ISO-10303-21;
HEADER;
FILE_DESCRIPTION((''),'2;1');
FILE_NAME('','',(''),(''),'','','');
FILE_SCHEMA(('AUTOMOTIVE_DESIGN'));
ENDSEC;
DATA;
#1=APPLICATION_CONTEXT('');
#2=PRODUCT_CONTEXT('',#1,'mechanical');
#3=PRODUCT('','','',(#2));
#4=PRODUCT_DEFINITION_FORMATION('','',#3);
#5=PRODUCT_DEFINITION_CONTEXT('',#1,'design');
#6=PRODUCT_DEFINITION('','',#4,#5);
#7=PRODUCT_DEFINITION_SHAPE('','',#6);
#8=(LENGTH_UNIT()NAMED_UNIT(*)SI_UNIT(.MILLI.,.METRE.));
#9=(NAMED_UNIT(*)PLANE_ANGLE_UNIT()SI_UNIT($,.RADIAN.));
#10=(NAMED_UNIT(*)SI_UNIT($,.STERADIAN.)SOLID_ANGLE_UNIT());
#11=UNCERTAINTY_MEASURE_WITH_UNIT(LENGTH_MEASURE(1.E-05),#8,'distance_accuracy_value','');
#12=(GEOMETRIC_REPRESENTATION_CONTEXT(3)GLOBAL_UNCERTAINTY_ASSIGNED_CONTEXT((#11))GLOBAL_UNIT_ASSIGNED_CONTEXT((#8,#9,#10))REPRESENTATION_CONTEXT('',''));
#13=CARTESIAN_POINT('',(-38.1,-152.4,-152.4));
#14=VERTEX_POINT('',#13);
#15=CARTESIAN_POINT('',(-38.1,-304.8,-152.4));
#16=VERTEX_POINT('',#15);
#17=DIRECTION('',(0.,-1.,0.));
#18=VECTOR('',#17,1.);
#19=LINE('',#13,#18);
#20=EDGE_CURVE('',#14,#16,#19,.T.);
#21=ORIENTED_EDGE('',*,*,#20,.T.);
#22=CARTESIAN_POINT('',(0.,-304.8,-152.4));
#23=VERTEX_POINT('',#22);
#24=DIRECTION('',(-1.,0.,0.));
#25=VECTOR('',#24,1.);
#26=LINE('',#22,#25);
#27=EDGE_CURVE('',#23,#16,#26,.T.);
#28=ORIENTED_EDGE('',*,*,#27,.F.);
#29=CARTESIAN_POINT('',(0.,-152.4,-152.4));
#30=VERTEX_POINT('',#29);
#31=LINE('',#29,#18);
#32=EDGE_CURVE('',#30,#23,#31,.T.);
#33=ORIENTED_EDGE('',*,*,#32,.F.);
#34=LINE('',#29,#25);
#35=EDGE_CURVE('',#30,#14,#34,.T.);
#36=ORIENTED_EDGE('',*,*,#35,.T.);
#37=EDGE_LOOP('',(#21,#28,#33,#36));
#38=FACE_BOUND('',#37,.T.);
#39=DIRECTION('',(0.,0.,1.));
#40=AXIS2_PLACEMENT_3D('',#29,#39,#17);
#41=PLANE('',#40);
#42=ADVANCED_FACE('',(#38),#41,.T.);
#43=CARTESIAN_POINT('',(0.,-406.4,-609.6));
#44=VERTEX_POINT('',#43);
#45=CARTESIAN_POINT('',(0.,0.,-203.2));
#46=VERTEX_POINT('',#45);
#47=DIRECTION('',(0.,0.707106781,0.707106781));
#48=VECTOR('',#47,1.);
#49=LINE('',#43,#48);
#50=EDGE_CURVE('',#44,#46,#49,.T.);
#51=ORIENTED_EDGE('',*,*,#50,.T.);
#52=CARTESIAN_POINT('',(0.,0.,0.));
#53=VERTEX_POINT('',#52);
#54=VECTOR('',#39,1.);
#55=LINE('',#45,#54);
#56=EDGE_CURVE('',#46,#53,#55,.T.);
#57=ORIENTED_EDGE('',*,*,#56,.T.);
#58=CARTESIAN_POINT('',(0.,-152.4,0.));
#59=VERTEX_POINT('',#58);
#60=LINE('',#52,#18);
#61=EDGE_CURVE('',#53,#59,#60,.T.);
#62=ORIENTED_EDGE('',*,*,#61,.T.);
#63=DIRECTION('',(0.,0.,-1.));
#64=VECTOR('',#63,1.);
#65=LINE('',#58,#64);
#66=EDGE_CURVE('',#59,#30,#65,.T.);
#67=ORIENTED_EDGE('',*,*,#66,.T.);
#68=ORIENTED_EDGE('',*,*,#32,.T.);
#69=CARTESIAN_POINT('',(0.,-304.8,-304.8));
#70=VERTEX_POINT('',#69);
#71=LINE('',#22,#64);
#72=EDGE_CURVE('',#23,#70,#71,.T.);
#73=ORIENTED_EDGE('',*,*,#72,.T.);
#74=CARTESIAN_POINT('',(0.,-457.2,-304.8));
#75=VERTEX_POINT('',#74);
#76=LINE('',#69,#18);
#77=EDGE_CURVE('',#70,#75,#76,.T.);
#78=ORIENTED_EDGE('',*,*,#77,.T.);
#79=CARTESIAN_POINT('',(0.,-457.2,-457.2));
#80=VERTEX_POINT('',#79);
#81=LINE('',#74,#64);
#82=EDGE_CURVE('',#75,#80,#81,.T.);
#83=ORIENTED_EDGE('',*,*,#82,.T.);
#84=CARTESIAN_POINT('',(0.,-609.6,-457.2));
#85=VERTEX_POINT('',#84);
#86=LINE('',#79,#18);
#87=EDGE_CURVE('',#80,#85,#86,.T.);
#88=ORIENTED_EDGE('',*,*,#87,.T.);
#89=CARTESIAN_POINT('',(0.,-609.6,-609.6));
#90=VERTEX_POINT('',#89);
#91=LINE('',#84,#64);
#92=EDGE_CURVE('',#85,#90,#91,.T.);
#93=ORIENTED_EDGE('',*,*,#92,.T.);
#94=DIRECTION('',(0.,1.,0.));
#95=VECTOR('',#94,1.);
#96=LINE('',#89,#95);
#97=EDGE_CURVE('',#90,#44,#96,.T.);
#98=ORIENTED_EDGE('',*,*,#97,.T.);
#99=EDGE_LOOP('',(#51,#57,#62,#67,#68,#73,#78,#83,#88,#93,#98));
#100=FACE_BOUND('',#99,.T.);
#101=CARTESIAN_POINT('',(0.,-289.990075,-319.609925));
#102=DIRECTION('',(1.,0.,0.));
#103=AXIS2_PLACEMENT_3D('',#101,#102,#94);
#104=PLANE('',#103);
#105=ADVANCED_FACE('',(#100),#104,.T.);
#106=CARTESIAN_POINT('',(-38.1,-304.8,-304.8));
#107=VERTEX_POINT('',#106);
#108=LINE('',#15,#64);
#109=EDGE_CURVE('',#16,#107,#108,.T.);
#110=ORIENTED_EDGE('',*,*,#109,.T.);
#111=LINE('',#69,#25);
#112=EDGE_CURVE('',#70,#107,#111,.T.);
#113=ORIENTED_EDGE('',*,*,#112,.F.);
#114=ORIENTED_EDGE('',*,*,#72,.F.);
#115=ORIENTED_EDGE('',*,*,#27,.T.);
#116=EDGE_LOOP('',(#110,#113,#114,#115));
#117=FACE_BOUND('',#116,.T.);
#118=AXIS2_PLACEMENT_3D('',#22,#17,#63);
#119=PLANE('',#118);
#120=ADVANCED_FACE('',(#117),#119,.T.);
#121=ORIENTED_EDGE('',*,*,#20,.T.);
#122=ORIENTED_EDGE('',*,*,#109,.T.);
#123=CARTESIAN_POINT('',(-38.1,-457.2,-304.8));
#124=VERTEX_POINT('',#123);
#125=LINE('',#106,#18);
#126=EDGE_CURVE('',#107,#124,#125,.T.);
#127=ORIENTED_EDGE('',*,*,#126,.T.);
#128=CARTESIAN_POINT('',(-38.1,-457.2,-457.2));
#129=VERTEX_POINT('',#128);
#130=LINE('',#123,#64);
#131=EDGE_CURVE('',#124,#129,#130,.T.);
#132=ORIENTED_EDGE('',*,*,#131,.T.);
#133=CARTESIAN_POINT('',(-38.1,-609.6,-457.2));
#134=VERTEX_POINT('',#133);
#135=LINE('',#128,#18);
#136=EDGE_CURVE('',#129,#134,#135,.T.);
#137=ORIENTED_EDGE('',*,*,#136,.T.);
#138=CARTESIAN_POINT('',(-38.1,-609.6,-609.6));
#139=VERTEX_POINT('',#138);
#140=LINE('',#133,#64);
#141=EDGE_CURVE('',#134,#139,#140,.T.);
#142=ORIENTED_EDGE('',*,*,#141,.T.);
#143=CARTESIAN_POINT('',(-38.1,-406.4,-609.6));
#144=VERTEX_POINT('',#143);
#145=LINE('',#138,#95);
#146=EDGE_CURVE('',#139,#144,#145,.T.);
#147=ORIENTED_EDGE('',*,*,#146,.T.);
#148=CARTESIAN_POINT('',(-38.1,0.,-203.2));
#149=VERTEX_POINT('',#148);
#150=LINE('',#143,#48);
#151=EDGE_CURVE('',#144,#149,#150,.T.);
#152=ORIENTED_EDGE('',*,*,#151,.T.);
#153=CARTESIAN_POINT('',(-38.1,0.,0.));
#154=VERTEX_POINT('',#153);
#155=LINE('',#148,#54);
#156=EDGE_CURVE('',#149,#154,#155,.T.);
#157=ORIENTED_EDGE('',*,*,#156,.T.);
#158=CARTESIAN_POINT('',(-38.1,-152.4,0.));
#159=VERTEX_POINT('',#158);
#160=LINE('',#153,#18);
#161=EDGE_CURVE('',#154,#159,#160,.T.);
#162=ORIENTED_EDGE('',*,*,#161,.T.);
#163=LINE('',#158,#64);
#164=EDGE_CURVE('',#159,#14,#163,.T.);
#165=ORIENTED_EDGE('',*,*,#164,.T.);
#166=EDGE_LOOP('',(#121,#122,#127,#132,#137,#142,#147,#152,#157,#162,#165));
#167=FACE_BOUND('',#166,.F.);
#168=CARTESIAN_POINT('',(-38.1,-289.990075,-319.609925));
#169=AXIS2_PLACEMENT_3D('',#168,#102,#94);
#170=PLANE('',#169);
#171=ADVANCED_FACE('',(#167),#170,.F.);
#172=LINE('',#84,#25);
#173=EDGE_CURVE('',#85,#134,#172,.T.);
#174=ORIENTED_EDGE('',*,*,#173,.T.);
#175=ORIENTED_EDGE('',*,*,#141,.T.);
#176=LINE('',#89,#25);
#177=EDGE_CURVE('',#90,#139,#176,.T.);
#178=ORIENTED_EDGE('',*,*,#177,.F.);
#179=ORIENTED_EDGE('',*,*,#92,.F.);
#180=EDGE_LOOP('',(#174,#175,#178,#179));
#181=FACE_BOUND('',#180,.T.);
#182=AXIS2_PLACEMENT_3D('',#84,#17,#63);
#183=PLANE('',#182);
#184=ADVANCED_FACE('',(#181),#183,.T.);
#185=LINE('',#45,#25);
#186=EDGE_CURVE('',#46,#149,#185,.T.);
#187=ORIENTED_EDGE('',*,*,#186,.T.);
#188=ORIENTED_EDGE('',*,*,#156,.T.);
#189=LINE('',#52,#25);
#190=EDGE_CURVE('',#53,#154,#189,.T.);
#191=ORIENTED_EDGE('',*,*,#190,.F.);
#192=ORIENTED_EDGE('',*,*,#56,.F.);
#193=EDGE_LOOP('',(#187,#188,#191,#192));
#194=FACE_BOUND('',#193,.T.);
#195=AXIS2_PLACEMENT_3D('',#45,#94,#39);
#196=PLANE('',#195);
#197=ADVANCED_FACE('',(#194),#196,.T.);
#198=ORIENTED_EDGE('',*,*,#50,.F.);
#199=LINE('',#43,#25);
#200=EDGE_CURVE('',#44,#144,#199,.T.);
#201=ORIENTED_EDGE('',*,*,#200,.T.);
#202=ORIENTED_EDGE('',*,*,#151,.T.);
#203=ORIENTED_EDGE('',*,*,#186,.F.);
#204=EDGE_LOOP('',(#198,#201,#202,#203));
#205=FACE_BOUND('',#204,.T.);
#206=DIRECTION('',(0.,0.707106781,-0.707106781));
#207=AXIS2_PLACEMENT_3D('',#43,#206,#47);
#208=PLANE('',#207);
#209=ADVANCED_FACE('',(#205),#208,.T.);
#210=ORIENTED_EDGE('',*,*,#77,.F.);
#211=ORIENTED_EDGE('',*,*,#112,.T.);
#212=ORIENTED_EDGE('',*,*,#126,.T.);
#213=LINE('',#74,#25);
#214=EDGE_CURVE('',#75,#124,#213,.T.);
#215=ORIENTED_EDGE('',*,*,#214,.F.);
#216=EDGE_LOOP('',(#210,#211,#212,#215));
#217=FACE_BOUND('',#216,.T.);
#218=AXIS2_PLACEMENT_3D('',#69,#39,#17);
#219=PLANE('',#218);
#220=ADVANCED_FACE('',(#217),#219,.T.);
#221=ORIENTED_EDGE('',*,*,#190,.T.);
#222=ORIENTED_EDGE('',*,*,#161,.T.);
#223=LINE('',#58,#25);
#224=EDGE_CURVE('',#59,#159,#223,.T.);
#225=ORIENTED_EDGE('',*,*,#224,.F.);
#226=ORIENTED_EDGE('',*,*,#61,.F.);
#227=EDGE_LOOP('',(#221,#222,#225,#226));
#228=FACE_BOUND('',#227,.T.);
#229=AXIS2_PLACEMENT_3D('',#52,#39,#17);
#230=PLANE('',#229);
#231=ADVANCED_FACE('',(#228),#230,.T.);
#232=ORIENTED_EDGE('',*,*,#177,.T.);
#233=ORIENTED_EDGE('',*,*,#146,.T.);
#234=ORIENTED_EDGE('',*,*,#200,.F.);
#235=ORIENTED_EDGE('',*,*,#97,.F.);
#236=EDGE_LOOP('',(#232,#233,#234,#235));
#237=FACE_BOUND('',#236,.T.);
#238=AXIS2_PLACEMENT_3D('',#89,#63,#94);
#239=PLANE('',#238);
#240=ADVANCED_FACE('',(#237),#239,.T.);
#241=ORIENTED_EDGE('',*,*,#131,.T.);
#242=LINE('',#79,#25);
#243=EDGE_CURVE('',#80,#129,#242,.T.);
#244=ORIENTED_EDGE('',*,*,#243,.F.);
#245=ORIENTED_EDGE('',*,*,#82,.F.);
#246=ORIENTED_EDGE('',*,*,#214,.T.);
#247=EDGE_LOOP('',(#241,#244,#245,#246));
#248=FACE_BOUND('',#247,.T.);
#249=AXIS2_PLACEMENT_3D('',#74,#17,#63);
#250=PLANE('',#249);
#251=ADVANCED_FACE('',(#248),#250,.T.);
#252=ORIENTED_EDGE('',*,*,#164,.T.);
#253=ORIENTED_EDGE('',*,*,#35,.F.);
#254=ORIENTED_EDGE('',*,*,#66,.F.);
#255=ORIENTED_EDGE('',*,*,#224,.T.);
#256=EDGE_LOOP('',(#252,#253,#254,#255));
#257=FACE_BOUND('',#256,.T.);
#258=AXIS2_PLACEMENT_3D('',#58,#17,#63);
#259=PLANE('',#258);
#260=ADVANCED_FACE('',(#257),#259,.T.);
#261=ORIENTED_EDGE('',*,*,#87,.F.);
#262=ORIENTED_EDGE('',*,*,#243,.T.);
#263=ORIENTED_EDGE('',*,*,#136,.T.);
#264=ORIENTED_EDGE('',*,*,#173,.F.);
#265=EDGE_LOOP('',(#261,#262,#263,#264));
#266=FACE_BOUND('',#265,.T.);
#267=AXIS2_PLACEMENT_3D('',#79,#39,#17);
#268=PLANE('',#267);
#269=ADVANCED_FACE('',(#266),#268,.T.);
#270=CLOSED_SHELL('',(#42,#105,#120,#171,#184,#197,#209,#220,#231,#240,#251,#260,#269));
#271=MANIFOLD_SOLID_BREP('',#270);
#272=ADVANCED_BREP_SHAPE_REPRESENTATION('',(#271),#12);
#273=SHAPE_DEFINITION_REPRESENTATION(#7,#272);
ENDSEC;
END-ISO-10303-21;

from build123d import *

# Parameters (mm, degrees)
F1_DEPTH = 38.1


with BuildPart() as f1:
    # F0 (on Right) → F1 (new body)
    with BuildSketch(Plane.YZ):
        Polygon((-457.2, -304.8), (-457.2, -457.2), (-609.6, -457.2), (-609.6, -609.6), (-406.4, -609.6), (0, -203.2), (0, 0), (-152.4, 0), (-152.4, -152.4), (-304.8, -152.4), (-304.8, -304.8), align=None)
    extrude(amount=-F1_DEPTH)


solid = f1.part
